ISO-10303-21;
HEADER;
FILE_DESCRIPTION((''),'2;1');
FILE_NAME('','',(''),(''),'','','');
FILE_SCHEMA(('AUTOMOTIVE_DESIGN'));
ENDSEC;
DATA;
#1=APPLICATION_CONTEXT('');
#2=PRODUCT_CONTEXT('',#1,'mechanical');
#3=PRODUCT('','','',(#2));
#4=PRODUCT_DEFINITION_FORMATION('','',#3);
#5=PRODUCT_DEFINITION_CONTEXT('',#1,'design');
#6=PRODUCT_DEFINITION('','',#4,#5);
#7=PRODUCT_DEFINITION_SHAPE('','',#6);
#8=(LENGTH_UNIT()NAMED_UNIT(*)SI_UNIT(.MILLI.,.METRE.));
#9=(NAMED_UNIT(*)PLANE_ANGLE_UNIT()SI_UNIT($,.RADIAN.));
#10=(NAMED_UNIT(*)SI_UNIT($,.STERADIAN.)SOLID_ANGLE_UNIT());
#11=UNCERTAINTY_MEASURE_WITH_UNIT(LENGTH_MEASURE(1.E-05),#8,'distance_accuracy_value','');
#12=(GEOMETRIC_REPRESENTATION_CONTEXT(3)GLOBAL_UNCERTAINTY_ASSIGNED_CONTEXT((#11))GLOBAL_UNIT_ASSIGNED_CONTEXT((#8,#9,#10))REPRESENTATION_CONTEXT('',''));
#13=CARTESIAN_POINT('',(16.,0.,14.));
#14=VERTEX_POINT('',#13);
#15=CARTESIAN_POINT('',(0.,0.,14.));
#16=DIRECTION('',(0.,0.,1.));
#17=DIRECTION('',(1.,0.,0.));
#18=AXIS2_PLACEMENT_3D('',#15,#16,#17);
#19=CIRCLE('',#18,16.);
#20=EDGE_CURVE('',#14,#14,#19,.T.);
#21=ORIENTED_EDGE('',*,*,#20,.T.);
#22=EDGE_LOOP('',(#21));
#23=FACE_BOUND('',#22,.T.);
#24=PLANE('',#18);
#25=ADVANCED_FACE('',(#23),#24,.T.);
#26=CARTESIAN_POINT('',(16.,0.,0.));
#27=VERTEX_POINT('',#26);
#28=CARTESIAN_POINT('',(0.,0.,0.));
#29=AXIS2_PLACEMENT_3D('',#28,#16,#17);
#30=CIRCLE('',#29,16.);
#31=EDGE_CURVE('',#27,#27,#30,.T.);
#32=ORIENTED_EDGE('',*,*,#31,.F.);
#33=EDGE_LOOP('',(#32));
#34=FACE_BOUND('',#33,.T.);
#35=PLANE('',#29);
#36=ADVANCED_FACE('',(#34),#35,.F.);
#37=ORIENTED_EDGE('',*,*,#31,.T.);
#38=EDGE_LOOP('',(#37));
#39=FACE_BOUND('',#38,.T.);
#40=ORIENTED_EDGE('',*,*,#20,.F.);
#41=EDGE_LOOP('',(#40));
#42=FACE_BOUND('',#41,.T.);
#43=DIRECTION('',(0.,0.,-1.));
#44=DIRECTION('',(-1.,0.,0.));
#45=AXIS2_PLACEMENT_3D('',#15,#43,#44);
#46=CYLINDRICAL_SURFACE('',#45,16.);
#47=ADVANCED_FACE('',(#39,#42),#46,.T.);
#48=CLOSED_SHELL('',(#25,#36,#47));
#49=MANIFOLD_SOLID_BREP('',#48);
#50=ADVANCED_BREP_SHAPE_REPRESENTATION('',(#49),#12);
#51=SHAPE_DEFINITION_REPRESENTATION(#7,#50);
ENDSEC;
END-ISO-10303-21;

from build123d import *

# Parameters (mm, degrees)
EXTRUDE_SKETCH_1_R = 16
EXTRUDE_1_DEPTH    = 14


with BuildPart() as part:
    # Extrude sketch 1 → Extrude 1 (new body)
    with BuildSketch(Plane.XY):
        Circle(EXTRUDE_SKETCH_1_R)
    extrude(amount=EXTRUDE_1_DEPTH)


solid = part.part
